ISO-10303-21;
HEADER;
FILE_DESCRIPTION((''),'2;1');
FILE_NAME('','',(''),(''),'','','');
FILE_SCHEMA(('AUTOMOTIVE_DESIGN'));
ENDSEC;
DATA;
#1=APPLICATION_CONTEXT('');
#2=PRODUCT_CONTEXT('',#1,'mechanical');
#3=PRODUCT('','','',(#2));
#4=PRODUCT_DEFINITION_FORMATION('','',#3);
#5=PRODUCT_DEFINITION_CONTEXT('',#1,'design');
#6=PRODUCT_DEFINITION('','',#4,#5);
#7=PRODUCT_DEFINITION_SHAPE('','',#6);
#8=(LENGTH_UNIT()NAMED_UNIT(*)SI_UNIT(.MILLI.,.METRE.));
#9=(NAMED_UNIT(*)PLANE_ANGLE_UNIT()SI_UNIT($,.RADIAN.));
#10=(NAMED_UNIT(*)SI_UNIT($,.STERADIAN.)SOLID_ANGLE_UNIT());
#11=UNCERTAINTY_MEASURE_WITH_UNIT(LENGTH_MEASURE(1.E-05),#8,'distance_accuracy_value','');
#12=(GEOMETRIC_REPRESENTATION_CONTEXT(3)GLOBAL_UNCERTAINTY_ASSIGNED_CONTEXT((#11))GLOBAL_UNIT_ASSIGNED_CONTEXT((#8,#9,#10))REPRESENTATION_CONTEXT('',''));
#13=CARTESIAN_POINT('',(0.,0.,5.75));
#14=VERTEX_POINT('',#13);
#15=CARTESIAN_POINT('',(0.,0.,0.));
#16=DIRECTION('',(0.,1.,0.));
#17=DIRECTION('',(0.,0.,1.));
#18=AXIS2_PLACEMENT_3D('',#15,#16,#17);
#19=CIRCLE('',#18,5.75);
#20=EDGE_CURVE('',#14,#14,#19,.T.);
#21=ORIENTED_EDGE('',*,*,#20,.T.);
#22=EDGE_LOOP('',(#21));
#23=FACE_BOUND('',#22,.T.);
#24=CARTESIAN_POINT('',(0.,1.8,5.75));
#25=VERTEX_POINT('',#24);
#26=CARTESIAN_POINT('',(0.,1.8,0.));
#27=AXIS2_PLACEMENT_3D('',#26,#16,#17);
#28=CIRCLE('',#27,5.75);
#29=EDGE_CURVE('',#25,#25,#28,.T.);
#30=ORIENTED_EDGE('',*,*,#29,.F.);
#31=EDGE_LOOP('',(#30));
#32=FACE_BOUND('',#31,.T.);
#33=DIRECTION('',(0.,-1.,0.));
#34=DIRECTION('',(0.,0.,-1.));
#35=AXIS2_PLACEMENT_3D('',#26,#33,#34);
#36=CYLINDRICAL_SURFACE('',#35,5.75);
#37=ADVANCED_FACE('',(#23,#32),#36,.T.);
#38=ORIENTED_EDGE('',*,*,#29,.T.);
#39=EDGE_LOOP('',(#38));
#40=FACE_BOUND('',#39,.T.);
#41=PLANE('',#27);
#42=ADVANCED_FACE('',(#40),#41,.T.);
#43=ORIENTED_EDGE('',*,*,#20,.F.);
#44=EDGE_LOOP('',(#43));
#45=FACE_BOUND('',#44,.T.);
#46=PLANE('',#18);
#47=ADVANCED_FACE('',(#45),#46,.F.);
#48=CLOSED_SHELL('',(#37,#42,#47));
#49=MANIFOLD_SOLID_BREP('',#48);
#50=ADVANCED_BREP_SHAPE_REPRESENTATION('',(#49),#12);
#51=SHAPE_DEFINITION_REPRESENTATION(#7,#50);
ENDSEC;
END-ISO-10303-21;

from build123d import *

# Parameters (mm, degrees)
SKETCH1_R           = 5.75
BOSS_EXTRUDE1_DEPTH = 1.8


with BuildPart() as part:
    # Sketch1 → Boss-Extrude1 (new body)
    with BuildSketch(Plane(origin=(0, 0, 0), x_dir=(1, 0, 0), z_dir=(0, 1, 0))):
        with Locations(Location((0, 0, 0), (0, 0, 270))):
            Circle(SKETCH1_R)
    extrude(amount=BOSS_EXTRUDE1_DEPTH)


solid = part.part
